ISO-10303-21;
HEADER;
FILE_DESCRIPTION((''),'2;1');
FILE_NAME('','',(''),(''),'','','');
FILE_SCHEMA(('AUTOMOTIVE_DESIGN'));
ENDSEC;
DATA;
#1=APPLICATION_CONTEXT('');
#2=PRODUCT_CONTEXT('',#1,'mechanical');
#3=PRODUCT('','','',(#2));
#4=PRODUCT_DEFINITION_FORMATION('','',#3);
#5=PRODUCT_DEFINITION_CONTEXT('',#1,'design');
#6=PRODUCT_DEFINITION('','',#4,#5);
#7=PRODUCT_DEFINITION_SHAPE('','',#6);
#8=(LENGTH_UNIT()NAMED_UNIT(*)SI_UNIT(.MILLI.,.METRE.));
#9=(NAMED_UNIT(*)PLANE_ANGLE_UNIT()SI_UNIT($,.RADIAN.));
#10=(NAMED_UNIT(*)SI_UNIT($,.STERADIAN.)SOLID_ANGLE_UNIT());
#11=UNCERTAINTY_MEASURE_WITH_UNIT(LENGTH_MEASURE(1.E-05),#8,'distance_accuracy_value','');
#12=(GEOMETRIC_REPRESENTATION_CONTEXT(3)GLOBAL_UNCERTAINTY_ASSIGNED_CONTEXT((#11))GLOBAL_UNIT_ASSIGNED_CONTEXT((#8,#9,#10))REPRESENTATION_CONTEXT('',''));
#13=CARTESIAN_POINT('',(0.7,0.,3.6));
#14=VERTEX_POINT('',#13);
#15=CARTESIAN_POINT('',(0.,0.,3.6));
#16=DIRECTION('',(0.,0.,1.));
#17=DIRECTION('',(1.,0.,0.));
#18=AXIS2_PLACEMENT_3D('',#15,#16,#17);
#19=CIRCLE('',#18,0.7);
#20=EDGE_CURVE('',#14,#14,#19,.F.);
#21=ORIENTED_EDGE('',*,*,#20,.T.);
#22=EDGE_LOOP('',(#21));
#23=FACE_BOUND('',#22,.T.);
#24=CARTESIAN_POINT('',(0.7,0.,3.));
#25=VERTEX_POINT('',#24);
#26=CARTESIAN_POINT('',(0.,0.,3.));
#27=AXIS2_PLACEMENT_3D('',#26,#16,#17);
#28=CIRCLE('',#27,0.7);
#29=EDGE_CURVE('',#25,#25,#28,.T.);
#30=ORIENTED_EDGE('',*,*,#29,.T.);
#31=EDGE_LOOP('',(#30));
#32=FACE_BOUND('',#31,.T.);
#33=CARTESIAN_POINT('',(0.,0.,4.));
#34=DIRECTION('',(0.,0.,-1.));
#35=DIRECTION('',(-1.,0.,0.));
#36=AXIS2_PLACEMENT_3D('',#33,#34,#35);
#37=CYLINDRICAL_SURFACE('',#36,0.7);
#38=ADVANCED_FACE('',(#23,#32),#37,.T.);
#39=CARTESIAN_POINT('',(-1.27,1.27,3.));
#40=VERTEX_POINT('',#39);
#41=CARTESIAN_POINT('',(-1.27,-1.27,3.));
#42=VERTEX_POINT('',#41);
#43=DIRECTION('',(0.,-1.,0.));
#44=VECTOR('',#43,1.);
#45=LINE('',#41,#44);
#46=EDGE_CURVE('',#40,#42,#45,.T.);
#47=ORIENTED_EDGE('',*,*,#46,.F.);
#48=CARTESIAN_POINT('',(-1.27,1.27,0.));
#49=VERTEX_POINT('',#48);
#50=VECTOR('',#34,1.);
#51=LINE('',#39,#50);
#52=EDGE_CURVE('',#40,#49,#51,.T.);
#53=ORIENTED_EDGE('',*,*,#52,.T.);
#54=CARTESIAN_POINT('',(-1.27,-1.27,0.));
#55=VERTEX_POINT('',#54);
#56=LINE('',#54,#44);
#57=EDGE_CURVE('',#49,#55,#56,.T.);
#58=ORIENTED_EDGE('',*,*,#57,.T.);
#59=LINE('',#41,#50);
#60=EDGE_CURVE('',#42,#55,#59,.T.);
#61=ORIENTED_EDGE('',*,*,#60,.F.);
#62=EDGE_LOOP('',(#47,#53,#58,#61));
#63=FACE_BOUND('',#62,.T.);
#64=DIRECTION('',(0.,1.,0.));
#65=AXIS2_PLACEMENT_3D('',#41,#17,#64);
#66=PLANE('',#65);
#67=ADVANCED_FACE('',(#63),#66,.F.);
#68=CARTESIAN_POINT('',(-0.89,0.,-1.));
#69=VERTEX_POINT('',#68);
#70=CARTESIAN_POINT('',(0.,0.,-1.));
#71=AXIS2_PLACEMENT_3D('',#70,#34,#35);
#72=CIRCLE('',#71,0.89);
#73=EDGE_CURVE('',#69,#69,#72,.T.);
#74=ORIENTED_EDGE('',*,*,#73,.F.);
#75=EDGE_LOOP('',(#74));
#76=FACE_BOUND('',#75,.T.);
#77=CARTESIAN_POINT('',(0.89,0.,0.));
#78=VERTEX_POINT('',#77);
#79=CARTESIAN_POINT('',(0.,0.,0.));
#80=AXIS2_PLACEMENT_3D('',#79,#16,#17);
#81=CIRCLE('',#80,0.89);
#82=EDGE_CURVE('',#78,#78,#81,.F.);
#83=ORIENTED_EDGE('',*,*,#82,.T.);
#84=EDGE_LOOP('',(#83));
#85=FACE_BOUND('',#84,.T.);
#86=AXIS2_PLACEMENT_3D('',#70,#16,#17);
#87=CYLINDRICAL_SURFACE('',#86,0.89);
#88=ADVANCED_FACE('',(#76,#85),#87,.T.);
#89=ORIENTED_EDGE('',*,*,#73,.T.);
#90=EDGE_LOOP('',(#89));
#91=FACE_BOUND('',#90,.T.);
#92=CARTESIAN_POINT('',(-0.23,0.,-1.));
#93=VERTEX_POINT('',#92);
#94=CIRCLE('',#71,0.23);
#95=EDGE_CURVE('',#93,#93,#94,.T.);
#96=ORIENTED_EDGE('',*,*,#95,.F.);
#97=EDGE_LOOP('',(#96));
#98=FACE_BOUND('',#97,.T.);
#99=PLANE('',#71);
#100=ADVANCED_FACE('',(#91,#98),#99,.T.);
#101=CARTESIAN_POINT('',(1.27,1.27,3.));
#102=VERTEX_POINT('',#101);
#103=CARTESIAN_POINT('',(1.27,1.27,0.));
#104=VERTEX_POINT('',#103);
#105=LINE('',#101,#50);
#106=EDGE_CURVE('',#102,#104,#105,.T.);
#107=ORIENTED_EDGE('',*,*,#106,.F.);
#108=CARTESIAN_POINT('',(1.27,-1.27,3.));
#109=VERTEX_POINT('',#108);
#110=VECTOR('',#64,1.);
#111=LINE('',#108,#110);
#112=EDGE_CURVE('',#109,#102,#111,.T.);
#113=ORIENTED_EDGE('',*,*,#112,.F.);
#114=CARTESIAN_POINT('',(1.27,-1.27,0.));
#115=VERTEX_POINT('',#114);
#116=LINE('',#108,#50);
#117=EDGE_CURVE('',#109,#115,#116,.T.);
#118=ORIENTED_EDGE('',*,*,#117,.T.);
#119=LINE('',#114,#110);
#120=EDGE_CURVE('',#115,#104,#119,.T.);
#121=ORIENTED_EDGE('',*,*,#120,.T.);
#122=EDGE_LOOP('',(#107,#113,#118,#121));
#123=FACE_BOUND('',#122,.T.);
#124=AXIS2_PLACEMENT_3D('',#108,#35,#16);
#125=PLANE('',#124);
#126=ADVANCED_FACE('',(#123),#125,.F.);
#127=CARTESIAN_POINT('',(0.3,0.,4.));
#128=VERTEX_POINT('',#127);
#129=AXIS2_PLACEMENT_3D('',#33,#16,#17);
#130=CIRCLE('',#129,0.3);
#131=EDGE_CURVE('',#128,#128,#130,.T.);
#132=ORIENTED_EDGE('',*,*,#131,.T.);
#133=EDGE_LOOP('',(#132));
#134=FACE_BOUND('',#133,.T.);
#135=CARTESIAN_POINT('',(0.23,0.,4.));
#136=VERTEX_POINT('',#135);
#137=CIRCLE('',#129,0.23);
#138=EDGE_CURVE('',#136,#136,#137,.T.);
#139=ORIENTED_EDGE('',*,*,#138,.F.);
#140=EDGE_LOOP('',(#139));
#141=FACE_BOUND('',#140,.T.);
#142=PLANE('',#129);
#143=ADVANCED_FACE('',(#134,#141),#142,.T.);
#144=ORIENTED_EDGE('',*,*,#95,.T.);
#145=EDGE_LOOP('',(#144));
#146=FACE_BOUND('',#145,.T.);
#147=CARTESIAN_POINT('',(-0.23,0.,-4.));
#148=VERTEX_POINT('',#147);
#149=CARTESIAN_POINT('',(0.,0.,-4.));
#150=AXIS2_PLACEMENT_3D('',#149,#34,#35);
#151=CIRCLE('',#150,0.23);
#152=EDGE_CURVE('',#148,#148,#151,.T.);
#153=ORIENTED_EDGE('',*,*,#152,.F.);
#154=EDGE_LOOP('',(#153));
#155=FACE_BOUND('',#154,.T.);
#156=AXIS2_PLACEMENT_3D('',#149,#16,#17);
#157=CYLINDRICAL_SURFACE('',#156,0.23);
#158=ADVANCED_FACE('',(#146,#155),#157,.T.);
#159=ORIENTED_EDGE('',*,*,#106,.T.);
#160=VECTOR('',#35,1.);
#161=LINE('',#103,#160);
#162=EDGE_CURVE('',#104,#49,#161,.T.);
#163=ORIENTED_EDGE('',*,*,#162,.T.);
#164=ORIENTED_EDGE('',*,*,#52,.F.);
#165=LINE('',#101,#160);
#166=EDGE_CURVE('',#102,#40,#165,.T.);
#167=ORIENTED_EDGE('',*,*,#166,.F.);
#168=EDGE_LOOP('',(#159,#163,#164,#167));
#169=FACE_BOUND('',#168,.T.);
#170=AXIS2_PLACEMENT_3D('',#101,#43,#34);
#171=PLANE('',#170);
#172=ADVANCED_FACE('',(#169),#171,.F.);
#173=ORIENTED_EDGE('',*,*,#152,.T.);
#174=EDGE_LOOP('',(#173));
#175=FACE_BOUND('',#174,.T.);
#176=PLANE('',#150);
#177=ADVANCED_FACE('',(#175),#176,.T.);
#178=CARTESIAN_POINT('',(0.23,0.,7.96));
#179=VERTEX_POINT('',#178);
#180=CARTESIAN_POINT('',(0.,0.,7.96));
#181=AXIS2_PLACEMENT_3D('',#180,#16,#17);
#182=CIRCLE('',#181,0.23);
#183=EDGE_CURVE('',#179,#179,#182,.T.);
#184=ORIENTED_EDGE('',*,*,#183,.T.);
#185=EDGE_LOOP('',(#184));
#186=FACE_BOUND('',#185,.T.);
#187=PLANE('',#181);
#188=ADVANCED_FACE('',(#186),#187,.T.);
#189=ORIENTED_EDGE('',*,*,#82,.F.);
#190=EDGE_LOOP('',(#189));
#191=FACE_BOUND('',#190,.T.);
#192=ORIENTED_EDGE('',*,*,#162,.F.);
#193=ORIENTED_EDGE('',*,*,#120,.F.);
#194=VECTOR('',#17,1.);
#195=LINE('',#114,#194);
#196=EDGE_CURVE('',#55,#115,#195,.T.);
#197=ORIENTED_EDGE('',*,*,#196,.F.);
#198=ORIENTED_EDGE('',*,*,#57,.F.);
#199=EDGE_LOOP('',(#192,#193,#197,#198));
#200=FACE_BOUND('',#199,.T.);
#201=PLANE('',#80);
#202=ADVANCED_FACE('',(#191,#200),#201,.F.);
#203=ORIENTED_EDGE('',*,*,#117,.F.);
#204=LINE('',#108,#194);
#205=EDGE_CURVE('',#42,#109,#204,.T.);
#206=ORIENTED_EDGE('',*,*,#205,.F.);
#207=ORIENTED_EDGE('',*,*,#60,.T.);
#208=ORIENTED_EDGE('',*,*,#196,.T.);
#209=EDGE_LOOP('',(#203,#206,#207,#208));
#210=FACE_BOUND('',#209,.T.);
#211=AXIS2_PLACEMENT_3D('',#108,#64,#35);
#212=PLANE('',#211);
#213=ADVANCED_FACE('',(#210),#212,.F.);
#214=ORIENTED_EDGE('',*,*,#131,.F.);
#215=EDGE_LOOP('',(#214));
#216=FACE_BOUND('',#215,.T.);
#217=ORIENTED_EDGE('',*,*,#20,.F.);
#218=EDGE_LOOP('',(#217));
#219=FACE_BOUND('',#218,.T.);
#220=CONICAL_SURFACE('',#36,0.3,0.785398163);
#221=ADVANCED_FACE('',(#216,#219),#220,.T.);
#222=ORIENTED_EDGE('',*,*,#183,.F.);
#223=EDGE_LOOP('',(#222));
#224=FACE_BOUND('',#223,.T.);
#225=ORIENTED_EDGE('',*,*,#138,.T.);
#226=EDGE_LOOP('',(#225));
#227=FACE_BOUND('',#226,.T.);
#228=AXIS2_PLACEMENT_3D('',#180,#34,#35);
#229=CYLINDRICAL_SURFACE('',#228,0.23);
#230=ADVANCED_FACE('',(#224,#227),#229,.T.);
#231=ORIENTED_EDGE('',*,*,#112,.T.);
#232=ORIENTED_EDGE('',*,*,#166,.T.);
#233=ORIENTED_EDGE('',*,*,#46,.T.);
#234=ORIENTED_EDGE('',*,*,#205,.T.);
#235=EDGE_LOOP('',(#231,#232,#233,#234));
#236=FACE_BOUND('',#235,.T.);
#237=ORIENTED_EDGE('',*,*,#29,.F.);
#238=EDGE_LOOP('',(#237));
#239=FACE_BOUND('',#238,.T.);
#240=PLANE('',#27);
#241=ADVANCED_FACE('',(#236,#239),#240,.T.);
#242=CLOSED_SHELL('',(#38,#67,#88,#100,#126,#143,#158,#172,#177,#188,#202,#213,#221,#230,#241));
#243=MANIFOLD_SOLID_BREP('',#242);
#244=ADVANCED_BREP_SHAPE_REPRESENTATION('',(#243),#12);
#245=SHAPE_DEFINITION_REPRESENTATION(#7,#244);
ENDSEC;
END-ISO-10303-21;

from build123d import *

# Parameters (mm, degrees)
SKETCH1_W           = 2.54
SKETCH1_H           = 2.54
BOSS_EXTRUDE1_DEPTH = 3
SKETCH2_R           = 0.23
BOSS_EXTRUDE2_DEPTH = 4
SKETCH3_R           = 0.89
BOSS_EXTRUDE3_DEPTH = 1
SKETCH4_R           = 0.23
BOSS_EXTRUDE4_DEPTH = 4.96
SKETCH5_R           = 0.7
BOSS_EXTRUDE5_DEPTH = 1
CHAMFER1_SIZE       = 0.4


with BuildPart() as part:
    # Sketch1 → Boss-Extrude1 (new body)
    with BuildSketch(Plane.XY):
        Rectangle(SKETCH1_W, SKETCH1_H)
    extrude(amount=BOSS_EXTRUDE1_DEPTH)

    # Sketch2 → Boss-Extrude2 (add)
    with BuildSketch(Plane(origin=(0, 0, 0), x_dir=(-1, 0, 0), z_dir=(0, 0, -1))):
        Circle(SKETCH2_R)
    extrude(amount=BOSS_EXTRUDE2_DEPTH)

    # Sketch3 → Boss-Extrude3 (add)
    with BuildSketch(Plane(origin=(0, 0, 0), x_dir=(-1, 0, 0), z_dir=(0, 0, -1))):
        Circle(SKETCH3_R)
    extrude(amount=BOSS_EXTRUDE3_DEPTH)

    # Sketch4 → Boss-Extrude4 (add)
    with BuildSketch(Plane.XY.offset(3)):
        Circle(SKETCH4_R)
    extrude(amount=BOSS_EXTRUDE4_DEPTH)

    # Sketch5 → Boss-Extrude5 (add)
    with BuildSketch(Plane.XY.offset(3)):
        Circle(SKETCH5_R)
    extrude(amount=BOSS_EXTRUDE5_DEPTH)

    # Chamfer1
    chamfer1_edges = [part.edges().sort_by_distance(p)[0] for p in [
        (-0.7, 0, 4),
    ]]
    chamfer(chamfer1_edges, length=CHAMFER1_SIZE)


solid = part.part
